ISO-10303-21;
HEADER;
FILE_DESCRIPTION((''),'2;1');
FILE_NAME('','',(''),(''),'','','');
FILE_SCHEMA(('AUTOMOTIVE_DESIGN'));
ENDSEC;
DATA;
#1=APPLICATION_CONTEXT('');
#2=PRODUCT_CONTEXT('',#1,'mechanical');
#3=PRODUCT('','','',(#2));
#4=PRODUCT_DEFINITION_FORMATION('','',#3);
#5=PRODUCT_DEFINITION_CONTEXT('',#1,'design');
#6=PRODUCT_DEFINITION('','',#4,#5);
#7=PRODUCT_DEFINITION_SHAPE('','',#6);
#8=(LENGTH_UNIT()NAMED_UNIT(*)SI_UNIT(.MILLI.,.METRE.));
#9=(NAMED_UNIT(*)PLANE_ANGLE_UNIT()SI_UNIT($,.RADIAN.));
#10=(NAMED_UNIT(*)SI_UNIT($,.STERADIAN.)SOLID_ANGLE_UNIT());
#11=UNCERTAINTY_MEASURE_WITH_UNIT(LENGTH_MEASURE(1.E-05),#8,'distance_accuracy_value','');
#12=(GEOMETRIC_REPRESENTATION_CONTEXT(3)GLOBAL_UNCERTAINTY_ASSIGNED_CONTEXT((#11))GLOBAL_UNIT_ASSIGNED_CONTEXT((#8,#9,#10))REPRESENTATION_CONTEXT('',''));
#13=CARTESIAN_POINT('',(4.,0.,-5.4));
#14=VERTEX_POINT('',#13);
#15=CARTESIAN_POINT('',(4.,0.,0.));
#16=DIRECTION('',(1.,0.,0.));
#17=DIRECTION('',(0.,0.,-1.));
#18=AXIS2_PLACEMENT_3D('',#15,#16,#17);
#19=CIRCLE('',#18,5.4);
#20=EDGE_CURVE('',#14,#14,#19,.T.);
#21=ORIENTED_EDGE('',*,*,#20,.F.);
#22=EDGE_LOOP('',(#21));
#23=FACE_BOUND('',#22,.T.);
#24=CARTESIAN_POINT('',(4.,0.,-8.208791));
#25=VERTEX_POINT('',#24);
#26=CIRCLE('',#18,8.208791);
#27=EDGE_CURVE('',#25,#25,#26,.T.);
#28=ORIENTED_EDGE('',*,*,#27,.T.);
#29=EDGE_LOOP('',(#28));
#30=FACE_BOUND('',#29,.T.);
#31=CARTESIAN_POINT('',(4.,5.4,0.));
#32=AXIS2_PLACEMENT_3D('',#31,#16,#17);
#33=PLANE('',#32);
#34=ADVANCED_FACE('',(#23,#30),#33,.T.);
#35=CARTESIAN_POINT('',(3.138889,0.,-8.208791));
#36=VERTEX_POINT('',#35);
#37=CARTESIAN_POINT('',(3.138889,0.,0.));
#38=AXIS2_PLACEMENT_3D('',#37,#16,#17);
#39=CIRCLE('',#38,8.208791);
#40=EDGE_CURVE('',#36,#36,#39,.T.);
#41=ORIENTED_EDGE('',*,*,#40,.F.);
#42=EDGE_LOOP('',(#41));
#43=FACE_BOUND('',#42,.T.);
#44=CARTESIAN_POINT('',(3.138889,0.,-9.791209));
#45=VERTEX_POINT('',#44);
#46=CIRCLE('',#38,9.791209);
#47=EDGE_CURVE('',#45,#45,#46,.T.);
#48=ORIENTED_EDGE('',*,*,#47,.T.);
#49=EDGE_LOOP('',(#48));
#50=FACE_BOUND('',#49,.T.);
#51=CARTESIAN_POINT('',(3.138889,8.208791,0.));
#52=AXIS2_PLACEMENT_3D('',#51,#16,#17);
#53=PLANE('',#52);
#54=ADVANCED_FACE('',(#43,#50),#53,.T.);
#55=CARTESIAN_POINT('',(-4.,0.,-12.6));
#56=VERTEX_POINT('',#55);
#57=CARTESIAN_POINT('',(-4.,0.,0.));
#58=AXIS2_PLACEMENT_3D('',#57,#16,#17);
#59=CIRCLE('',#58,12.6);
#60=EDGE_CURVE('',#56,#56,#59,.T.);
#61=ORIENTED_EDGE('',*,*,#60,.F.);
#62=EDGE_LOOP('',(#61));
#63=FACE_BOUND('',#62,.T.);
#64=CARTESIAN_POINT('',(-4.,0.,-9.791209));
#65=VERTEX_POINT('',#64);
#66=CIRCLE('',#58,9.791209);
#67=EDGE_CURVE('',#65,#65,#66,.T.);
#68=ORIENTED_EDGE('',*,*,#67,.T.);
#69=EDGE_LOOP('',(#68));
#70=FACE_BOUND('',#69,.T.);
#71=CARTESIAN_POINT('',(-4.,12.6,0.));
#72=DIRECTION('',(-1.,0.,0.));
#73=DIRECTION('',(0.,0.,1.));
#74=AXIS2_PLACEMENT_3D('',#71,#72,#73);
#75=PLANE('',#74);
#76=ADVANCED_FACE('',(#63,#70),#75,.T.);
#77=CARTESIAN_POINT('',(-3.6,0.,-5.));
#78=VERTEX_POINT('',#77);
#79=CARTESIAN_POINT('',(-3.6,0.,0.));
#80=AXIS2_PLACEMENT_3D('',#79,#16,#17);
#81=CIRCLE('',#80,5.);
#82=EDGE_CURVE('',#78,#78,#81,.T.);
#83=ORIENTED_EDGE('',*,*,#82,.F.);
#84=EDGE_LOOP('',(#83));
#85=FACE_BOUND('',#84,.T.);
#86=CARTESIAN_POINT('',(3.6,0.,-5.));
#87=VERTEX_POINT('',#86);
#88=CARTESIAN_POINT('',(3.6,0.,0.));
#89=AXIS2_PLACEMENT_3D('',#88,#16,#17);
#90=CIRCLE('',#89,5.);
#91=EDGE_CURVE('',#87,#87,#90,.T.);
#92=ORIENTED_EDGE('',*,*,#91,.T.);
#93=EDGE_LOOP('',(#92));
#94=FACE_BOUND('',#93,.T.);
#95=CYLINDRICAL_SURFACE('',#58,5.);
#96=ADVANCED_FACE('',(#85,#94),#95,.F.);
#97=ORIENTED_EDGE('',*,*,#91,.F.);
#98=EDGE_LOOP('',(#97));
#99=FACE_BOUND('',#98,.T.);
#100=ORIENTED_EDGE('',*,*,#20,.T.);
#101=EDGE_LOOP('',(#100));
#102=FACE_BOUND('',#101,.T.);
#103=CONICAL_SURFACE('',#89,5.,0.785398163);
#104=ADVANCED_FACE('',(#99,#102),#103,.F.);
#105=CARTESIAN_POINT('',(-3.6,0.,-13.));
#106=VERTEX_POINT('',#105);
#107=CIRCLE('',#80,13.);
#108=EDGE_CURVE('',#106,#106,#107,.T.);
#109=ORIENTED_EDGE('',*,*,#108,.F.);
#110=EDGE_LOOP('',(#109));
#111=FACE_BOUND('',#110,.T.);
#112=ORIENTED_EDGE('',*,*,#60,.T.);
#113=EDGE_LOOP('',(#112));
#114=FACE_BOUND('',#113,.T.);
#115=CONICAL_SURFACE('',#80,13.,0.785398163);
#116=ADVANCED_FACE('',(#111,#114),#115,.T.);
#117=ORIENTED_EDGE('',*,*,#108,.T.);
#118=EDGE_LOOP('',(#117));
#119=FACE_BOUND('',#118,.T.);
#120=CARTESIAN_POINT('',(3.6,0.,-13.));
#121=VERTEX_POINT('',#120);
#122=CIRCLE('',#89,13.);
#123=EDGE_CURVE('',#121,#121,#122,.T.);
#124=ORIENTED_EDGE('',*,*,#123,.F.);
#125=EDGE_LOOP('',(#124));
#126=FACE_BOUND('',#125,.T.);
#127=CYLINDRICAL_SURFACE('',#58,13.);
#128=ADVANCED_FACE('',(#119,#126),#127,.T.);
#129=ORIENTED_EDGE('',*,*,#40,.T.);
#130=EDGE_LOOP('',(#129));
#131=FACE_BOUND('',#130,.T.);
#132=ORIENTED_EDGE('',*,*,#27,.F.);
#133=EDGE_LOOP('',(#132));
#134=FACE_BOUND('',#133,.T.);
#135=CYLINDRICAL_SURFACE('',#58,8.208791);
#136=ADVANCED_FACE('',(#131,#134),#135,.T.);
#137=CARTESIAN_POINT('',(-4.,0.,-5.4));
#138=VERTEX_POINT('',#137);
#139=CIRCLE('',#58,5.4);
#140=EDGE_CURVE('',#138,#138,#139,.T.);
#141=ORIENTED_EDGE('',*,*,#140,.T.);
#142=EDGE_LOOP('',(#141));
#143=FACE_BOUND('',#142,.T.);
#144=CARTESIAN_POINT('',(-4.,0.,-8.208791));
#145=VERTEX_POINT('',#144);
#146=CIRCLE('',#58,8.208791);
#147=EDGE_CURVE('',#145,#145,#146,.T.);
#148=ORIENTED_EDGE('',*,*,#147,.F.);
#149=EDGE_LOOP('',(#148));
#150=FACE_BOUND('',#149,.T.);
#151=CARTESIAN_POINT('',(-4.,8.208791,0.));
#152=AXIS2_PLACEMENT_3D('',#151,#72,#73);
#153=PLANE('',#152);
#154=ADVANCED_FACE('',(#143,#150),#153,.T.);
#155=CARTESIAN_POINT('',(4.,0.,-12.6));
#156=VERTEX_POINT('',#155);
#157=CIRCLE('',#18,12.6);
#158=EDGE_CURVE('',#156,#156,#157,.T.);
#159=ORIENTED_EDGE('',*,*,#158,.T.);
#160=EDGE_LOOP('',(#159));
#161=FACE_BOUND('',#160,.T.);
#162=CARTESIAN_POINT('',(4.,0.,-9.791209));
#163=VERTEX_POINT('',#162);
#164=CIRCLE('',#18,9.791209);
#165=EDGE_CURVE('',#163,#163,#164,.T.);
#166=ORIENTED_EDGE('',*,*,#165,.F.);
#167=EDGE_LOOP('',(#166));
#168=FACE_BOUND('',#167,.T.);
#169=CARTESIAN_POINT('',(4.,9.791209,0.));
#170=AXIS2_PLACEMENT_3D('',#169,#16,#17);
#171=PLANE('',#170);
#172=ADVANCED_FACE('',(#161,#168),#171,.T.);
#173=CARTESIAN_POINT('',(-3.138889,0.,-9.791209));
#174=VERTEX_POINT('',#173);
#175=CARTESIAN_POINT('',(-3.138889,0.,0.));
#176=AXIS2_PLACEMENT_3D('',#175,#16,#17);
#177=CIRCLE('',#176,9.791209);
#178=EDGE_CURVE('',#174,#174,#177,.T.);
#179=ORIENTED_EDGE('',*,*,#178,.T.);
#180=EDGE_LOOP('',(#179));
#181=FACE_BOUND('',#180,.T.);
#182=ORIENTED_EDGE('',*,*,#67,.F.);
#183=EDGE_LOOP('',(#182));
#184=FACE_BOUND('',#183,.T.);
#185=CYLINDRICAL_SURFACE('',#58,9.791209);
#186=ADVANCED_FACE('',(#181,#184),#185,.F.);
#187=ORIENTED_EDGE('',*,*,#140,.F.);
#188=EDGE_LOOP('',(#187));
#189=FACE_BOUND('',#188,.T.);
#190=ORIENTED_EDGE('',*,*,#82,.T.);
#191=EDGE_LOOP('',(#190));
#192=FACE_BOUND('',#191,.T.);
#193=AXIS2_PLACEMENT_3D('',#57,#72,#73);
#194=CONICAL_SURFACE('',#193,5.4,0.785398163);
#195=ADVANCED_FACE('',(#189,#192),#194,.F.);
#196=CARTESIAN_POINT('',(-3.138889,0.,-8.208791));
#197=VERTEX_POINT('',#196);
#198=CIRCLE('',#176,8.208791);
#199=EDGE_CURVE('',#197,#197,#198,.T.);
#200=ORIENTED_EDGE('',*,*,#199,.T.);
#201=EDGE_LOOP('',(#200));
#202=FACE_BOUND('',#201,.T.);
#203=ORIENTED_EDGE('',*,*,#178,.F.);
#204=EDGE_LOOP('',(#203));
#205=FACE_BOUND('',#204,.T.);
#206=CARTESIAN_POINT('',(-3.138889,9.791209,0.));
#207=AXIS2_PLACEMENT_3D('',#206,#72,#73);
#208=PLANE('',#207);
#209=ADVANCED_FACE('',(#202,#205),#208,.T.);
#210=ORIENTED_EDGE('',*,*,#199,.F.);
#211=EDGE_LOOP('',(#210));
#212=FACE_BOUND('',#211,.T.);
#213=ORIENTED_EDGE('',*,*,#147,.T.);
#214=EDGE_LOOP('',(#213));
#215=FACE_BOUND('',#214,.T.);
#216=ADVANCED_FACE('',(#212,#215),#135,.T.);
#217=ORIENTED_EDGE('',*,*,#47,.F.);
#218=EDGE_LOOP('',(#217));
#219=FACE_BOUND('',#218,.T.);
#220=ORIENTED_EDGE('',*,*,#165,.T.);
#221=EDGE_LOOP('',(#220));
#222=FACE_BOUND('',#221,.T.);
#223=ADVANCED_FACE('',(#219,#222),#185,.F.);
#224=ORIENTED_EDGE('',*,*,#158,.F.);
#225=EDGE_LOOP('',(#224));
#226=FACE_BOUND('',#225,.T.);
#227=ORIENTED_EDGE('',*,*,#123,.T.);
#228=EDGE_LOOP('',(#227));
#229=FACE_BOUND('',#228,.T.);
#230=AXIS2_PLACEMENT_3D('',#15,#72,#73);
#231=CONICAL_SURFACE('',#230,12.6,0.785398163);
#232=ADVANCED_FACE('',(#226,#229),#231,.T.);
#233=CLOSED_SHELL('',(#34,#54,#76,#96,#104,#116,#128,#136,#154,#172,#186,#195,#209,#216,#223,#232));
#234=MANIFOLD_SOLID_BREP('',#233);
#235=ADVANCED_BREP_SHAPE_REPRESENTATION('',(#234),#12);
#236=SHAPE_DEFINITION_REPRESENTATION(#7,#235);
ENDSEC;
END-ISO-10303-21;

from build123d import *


with BuildPart() as part:
    # Sketch1 → Revolve1 (revolve)
    with BuildSketch(Plane.XY, mode=Mode.PRIVATE) as revolve1_sk:
        Polygon((4, 12.6), (3.6, 13), (-3.6, 13), (-4, 12.6), (-4, 9.791208791), (-3.13888889, 9.791208791), (-3.13888889, 8.208791209), (-4, 8.208791209), (-4, 5.4), (-3.6, 5), (3.6, 5), (4, 5.4), (4, 8.208791209), (3.13888889, 8.208791209), (3.13888889, 9.791208791), (4, 9.791208791), align=None)
    revolve(revolve1_sk.sketch.rotate(Axis((-4, 0, 0), (1, 0, 0)), 270), axis=Axis((-4, 0, 0), (1, 0, 0)))


solid = part.part
